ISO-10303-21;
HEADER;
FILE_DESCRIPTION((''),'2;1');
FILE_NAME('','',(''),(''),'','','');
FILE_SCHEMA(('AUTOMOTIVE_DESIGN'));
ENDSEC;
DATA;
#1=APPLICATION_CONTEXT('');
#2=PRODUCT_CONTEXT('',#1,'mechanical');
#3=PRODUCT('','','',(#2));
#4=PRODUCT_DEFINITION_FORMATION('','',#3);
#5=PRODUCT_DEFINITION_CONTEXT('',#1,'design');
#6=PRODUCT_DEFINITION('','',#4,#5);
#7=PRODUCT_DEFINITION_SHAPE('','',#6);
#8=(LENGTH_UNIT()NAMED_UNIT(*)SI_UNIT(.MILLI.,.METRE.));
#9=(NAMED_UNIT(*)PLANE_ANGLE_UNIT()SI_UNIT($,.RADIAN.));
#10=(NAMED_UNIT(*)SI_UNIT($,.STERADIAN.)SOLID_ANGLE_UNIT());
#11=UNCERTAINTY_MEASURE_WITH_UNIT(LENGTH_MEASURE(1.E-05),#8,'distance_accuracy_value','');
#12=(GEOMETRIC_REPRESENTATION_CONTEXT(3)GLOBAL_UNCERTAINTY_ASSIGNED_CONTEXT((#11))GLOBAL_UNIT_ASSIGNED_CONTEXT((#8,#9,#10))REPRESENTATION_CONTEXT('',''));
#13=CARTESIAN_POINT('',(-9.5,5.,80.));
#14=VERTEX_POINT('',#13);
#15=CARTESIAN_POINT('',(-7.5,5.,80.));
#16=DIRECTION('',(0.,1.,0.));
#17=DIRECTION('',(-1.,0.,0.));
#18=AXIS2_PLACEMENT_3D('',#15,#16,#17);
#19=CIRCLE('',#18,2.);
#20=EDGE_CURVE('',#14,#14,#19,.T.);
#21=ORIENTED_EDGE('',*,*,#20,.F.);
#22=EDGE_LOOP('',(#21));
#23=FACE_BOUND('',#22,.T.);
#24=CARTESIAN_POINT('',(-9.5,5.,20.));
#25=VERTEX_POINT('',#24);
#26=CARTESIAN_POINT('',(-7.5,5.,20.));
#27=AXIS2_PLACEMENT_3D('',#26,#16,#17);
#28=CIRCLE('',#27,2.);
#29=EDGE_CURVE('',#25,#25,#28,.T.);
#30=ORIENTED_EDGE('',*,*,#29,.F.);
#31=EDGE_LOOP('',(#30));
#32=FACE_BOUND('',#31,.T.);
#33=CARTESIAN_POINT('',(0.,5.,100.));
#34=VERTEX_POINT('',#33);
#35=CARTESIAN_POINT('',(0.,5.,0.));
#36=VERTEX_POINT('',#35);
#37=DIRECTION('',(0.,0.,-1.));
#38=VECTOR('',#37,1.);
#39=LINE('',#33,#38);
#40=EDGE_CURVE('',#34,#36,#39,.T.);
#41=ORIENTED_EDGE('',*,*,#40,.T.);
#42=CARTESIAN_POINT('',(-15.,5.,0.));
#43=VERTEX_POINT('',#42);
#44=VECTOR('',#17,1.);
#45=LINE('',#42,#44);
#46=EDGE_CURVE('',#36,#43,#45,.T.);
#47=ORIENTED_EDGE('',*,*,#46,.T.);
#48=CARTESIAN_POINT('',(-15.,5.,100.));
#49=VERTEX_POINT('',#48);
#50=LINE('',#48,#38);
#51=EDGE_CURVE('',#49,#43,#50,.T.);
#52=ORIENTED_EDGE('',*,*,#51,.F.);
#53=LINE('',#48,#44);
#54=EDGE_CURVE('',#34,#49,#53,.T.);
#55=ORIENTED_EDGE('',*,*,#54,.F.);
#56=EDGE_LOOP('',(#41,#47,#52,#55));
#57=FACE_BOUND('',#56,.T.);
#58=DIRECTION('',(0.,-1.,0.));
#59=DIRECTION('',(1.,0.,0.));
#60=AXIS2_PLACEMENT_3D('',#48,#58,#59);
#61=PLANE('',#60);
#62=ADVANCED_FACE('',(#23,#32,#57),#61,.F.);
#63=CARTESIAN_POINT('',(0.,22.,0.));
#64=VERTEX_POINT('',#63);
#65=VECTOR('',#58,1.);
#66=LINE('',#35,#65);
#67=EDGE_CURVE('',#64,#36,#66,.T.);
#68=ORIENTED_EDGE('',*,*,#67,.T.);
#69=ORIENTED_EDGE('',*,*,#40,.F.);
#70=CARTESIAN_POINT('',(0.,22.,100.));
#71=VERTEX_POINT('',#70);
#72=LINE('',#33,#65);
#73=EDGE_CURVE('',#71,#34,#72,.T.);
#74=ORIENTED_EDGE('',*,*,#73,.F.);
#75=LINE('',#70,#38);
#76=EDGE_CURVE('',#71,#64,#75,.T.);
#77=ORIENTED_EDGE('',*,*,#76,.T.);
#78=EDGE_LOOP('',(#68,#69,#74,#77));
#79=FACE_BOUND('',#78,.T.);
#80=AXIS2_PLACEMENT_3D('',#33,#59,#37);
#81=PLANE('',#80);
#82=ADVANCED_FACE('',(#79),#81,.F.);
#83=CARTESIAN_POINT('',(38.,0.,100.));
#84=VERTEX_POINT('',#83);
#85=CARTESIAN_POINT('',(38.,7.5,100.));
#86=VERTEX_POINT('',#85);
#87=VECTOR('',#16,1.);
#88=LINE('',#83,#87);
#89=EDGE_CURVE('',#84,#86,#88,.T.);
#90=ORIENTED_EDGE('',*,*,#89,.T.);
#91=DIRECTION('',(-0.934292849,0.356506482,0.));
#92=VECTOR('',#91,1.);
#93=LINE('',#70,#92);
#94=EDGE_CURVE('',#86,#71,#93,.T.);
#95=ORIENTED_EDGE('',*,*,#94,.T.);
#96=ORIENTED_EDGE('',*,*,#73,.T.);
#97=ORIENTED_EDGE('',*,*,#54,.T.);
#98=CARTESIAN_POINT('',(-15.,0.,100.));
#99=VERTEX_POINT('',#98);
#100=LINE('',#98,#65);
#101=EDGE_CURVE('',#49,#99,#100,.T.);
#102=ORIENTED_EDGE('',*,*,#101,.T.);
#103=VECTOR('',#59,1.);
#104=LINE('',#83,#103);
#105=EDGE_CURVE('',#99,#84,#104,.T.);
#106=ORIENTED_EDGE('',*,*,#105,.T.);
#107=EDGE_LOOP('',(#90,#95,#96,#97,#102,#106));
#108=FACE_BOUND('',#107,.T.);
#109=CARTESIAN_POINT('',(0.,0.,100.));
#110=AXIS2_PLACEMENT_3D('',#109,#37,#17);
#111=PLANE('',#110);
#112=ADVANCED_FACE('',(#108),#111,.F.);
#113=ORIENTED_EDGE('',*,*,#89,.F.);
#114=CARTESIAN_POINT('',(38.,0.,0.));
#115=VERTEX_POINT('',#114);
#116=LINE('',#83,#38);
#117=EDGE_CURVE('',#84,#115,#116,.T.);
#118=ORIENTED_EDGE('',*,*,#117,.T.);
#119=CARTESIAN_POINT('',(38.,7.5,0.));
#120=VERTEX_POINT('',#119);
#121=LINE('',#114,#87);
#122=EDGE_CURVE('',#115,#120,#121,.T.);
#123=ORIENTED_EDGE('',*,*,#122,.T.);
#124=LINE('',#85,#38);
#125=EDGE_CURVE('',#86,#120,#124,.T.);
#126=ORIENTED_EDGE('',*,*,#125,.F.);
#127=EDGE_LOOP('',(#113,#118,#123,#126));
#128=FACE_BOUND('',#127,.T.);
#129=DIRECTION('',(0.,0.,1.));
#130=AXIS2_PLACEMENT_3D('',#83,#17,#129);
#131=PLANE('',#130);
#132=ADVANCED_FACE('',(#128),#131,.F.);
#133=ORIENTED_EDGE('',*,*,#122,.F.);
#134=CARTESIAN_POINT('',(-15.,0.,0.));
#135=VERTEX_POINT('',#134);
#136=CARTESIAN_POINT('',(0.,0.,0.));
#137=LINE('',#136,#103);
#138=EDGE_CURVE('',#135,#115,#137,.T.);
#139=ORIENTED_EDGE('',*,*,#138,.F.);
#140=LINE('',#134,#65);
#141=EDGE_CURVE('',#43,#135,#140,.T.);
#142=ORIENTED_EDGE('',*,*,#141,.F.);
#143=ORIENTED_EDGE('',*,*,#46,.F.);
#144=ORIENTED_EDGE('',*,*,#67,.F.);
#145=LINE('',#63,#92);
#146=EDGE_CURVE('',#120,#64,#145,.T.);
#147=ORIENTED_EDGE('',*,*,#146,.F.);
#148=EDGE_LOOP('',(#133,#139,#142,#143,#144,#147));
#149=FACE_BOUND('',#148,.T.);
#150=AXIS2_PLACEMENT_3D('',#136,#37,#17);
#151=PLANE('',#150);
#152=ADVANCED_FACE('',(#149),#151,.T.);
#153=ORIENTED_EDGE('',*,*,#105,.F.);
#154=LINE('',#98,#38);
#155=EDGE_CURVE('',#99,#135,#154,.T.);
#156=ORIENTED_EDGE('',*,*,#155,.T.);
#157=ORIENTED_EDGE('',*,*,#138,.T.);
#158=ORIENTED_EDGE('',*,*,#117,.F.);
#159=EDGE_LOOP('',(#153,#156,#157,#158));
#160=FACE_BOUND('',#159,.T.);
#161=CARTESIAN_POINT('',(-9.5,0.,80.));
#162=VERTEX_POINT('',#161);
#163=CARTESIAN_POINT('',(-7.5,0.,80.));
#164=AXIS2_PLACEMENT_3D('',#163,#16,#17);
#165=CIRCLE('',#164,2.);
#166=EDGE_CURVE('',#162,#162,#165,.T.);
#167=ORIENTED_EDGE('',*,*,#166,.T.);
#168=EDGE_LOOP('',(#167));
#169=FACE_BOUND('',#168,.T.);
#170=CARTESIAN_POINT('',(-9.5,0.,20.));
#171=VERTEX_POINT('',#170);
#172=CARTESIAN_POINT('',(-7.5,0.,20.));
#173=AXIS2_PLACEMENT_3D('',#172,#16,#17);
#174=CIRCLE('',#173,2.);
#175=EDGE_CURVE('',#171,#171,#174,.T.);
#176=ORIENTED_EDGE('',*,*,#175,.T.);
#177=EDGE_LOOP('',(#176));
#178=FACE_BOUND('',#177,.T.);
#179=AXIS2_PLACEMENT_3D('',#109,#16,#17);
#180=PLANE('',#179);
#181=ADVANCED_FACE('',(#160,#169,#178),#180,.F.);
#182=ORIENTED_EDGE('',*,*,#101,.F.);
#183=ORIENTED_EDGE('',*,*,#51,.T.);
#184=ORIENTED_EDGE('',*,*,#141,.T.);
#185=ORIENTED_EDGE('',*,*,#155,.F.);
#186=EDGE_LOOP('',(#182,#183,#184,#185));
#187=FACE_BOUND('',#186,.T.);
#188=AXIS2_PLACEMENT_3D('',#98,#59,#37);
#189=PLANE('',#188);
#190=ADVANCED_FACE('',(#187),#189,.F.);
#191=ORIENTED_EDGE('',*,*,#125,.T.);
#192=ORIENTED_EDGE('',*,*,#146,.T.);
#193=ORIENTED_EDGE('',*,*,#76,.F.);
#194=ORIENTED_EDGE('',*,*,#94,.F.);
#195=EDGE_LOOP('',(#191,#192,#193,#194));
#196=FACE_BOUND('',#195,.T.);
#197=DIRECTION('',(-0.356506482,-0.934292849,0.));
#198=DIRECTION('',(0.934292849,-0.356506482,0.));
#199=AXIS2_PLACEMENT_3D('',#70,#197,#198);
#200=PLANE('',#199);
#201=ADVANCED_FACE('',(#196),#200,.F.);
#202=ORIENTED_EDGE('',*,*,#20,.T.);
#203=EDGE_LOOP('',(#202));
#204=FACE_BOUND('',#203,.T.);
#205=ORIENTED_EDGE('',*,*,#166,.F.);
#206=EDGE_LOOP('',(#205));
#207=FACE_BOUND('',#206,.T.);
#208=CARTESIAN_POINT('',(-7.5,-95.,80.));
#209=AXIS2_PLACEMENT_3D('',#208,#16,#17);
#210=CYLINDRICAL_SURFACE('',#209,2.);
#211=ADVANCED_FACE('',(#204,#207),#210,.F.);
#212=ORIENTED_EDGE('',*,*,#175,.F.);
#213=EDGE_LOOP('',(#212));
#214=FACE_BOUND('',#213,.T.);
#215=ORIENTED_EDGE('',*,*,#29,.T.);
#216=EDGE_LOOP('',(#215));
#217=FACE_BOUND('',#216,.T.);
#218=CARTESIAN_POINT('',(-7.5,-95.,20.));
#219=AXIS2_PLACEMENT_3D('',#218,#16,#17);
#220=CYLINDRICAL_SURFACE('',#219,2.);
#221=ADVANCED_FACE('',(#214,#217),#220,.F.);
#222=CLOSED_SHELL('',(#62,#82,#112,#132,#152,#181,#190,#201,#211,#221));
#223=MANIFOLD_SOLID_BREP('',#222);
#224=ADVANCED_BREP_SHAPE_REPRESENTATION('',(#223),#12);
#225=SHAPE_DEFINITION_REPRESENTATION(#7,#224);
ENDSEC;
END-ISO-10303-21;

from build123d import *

# Parameters (mm, degrees)
SALIENTE_EXTRUIR1_DEPTH = 100
CROQUIS2_R              = 2
CORTAR_EXTRUIR1_DEPTH   = 100


with BuildPart() as part:
    # Croquis1 → Saliente-Extruir1 (new body)
    with BuildSketch(Plane.XY):
        Polygon((0, 0), (-15, 0), (-15, 5), (0, 5), (0, 22), (38, 7.5), (38, 0), align=None)
    extrude(amount=SALIENTE_EXTRUIR1_DEPTH)

    # Croquis2 → Cortar-Extruir1 (cut)
    with BuildSketch(Plane(origin=(0, 5, 0), x_dir=(1, 0, 0), z_dir=(0, 1, 0))):
        with Locations((-7.5, -80)):
            Circle(CROQUIS2_R)
        with Locations((-7.5, -20)):
            Circle(CROQUIS2_R)
    extrude(amount=-CORTAR_EXTRUIR1_DEPTH, mode=Mode.SUBTRACT)


solid = part.part
